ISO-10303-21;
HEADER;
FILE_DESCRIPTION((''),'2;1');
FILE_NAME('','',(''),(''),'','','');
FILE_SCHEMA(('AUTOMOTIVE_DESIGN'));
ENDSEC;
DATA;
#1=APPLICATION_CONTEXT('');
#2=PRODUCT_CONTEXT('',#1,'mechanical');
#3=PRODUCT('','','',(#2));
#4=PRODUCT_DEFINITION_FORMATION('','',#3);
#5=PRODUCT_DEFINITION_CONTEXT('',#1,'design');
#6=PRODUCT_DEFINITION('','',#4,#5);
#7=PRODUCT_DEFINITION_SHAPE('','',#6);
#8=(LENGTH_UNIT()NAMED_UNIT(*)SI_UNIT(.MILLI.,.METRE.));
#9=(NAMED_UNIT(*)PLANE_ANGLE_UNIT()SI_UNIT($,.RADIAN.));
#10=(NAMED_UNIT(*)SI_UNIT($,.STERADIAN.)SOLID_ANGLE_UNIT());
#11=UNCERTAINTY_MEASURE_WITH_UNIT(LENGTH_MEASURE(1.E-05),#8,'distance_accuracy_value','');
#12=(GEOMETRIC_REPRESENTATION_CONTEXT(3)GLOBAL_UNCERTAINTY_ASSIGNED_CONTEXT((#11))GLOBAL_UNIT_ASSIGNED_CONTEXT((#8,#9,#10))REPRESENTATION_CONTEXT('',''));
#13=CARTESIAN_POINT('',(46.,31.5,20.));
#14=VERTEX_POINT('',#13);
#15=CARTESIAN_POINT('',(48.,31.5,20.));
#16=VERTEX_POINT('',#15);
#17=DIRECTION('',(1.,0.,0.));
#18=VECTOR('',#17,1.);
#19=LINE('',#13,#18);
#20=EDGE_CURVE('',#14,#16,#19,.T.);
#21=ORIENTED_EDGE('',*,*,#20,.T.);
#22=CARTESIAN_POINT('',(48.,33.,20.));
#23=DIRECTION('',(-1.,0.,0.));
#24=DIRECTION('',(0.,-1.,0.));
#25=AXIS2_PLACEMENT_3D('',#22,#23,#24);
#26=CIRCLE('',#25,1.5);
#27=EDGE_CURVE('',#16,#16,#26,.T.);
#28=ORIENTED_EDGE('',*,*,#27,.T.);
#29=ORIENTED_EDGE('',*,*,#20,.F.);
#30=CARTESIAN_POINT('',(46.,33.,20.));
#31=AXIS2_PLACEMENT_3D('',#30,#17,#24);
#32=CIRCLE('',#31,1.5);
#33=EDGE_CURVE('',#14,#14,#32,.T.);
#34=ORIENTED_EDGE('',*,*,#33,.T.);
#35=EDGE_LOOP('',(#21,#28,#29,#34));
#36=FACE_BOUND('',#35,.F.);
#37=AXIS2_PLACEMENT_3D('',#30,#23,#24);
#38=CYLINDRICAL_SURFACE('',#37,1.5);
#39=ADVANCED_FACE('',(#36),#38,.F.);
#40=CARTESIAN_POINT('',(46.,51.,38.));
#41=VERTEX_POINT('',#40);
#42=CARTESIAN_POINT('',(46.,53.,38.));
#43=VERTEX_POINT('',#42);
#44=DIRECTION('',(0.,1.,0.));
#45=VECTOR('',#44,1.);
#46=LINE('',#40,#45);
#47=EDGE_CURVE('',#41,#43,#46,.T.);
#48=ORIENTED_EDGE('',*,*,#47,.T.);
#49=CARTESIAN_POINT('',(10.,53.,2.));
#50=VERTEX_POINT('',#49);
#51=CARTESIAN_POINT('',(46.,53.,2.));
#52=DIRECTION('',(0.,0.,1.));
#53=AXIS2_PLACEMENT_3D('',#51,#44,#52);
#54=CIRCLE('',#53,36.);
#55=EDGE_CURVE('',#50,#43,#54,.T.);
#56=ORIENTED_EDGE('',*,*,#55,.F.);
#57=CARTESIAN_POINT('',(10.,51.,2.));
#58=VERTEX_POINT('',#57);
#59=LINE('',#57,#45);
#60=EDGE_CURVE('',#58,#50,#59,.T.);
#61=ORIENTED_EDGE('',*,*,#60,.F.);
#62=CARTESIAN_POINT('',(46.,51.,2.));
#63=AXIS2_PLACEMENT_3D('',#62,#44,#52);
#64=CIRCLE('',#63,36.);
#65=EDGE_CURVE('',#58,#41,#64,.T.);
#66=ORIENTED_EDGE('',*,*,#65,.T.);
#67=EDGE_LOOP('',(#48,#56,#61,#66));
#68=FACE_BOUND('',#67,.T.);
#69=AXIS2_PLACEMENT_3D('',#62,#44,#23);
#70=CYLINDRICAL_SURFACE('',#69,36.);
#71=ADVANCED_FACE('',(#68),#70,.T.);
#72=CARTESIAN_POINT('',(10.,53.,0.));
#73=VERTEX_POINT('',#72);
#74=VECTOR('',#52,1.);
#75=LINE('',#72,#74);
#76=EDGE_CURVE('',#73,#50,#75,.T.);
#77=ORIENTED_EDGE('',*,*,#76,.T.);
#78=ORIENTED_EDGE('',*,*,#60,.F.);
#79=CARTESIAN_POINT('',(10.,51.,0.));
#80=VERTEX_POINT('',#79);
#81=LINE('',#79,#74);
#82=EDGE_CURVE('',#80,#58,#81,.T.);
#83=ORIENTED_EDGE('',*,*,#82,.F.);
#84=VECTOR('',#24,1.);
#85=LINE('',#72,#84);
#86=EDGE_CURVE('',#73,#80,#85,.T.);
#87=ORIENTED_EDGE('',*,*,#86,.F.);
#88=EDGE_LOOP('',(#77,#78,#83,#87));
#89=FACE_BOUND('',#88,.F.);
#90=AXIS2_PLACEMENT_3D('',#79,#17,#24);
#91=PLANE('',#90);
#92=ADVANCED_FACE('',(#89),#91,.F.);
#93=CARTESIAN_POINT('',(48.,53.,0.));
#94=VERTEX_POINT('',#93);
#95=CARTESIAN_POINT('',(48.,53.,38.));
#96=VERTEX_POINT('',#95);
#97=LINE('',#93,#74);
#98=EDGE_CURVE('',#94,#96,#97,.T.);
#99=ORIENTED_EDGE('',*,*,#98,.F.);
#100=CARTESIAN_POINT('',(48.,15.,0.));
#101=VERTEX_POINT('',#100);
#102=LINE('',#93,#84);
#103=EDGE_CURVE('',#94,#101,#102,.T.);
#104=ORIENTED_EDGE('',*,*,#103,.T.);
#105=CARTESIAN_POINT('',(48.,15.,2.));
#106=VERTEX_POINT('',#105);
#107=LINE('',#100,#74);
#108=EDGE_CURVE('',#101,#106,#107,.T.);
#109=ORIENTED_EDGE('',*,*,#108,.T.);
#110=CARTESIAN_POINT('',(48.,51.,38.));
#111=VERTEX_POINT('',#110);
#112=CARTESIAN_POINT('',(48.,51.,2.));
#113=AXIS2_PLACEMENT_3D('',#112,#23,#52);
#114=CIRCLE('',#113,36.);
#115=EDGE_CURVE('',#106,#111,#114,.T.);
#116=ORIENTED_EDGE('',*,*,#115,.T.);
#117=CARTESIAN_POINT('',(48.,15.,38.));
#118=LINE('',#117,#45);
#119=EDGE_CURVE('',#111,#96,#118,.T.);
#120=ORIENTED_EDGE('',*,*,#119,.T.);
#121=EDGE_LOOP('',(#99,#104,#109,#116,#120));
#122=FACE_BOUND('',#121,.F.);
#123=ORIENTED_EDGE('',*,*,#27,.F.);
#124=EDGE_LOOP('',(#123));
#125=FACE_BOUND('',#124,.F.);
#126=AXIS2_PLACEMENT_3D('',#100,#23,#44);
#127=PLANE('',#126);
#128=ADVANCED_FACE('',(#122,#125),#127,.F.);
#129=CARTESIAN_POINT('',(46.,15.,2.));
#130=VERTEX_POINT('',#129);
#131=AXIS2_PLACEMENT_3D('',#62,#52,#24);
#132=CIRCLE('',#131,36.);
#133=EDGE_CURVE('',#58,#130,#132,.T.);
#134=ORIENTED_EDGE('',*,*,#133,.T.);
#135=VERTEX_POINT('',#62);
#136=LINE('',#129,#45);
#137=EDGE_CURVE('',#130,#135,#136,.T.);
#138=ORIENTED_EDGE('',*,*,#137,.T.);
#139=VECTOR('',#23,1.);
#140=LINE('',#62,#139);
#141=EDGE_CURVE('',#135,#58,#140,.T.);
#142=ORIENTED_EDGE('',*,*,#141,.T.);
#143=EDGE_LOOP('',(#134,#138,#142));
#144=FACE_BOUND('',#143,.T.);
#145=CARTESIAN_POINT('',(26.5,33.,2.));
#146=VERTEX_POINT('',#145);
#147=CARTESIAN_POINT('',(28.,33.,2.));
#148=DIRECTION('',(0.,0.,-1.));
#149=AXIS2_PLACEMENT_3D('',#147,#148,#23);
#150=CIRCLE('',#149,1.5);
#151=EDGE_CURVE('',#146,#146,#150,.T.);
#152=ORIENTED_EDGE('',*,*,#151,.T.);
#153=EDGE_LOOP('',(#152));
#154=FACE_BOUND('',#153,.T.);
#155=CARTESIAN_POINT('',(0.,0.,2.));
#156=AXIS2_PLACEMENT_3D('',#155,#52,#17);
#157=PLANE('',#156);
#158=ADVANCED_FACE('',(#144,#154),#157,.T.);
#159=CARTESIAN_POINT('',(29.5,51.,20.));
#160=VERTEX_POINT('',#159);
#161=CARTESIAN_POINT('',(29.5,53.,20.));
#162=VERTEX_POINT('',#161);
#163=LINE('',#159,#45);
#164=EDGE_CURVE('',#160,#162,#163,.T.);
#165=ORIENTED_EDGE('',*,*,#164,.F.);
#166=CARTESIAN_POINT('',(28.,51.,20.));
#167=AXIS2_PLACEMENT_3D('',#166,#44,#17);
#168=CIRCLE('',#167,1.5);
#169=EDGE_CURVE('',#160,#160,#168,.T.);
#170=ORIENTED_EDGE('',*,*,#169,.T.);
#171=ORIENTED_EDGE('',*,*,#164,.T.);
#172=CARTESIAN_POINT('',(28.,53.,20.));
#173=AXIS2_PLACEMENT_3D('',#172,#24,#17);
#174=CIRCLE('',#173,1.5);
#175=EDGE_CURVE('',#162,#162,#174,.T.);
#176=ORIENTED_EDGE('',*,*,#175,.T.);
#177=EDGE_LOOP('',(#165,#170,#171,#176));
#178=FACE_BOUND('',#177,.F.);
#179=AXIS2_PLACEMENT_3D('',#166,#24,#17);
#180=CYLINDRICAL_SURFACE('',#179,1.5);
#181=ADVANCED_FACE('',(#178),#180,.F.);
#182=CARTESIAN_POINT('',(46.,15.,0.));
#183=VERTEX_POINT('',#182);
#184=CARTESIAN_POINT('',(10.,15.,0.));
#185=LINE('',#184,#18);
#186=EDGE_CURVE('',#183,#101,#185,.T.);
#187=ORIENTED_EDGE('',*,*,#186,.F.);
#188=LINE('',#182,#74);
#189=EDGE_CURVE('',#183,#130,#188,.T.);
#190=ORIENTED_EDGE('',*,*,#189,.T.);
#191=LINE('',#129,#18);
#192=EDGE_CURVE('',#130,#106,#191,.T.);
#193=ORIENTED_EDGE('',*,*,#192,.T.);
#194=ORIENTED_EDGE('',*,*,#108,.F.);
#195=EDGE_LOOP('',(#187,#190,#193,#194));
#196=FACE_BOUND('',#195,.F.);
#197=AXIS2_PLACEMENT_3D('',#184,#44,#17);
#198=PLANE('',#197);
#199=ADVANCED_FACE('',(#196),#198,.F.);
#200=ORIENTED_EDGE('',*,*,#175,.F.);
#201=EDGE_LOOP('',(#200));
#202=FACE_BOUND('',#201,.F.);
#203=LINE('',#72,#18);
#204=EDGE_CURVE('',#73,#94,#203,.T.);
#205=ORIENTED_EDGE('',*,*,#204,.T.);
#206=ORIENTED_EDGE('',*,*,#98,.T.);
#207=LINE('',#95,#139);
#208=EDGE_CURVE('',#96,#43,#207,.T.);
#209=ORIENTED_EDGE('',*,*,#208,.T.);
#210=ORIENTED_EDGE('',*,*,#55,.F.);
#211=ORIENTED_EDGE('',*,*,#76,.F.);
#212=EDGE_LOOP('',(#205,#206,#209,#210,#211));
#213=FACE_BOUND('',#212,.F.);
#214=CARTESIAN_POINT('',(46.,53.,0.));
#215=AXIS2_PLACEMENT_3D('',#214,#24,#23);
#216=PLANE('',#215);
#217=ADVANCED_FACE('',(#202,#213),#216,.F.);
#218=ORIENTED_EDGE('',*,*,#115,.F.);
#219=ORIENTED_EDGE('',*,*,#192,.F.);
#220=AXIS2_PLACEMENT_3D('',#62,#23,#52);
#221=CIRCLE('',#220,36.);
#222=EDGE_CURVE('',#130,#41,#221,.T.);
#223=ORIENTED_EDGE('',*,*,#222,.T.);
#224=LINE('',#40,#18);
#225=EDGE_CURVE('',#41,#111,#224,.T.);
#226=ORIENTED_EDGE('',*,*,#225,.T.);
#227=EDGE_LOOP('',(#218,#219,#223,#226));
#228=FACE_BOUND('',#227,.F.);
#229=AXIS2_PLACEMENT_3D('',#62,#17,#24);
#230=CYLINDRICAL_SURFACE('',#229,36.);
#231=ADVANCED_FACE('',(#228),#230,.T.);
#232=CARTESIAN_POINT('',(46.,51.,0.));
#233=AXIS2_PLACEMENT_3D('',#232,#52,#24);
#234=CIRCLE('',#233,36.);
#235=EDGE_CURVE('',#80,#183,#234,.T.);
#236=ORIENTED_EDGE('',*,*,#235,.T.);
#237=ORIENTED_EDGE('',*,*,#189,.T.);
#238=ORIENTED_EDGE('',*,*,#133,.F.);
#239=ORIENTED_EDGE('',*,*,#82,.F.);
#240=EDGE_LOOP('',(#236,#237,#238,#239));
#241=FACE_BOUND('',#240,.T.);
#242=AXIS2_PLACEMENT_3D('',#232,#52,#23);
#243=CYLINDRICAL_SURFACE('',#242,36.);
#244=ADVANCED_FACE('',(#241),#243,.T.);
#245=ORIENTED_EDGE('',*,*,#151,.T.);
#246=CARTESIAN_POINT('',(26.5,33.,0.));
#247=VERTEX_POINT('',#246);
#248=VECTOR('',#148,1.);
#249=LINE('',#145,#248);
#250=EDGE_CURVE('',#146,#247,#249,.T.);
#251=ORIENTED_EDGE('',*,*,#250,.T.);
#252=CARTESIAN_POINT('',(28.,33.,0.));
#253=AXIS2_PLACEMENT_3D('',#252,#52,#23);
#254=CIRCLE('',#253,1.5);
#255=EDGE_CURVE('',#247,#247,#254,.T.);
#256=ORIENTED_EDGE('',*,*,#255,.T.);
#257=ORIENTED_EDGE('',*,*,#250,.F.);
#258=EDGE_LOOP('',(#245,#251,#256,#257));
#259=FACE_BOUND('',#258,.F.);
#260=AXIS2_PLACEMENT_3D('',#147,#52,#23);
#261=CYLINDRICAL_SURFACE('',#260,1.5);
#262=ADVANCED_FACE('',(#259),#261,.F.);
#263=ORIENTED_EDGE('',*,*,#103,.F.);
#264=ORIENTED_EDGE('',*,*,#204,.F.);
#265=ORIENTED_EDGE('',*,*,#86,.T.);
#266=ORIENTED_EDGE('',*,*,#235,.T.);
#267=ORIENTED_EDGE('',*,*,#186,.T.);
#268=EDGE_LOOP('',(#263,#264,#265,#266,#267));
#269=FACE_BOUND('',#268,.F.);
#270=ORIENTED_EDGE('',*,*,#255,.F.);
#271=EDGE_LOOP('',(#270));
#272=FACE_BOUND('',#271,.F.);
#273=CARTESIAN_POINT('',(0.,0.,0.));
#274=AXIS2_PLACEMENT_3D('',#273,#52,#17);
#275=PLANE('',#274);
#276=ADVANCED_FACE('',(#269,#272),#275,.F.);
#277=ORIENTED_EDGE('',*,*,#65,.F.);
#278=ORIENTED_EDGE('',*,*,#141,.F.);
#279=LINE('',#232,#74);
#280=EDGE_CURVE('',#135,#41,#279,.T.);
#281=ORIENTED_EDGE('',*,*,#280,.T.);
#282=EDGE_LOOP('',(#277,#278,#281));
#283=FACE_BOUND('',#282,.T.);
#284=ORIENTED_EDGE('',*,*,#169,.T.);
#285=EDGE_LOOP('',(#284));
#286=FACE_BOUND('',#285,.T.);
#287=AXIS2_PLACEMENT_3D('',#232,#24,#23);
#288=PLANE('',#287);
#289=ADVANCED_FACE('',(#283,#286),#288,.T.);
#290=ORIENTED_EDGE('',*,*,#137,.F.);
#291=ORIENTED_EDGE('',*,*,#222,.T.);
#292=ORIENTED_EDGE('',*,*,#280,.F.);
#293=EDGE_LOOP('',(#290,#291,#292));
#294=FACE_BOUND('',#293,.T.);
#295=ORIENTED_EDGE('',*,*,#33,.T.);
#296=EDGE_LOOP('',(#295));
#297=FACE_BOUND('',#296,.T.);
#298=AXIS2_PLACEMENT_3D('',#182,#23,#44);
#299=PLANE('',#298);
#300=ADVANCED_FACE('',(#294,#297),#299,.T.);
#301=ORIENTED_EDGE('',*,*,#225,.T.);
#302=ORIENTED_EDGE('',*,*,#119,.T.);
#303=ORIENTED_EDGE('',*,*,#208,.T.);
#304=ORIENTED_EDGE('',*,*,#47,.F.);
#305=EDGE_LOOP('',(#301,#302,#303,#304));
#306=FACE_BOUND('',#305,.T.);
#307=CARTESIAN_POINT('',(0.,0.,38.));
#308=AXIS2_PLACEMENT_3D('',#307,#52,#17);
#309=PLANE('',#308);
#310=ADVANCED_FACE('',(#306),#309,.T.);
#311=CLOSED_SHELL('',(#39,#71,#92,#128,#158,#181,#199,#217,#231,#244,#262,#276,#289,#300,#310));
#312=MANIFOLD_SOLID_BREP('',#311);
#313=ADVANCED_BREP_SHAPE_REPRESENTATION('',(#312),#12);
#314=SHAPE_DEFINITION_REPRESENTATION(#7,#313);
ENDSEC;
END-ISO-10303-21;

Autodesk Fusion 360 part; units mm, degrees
sketch "Sketch3" plane through (0, 0, 0) normal (0, 0, 1) x (1, 0, 0)
  line L0 (10, 15) -> (46, 15)
  line L1 (46, 15) -> (46, 51)
  line L2 (46, 51) -> (10, 51)
  line L3 (10, 51) -> (10, 15)
  line L4 (8, 53) -> (8, 13)
  line L5 (8, 13) -> (48, 13)
  line L6 (48, 13) -> (48, 53)
  line L7 (48, 53) -> (8, 53)
  line L8 (10, 51) -> (10, 53)
  line L9 (10, 51) -> (8, 51)
  line L10 (46, 51) -> (46, 53)
  line L11 (46, 51) -> (48, 51)
  line L12 (46, 15) -> (48, 15)
  line L13 (46, 15) -> (46, 13)
  line L14 (10, 15) -> (10, 13)
  line L15 (10, 15) -> (8, 15)
  dimension "d6" = 36
  dimension "d7" = 36
  dimension "d8" = 2
extrude "Extrude1" add sketch "Sketch3" along normal blind 38 contours L1 L6 L11 L12 | L2 L7 L8 L10 | L6 L7 L10 L11
extrude "Extrude2" add sketch "Sketch3" along normal blind 2 contours L0 L1 L2 L3
sketch "Sketch4" plane through (0, 0, 2) normal (0, 0, 1) x (-1, 0, 0)
  line L0 (-10, -51) -> (-10, -15)
  line L1 (-10, -15) -> (-46, -15)
  line L2 (-46, -15) -> (-46, -51)
  line L3 (-46, -51) -> (-10, -51)
  line L4 (-10, -51) -> (-46, -15)
  line L5 (-10, -15) -> (-46, -51)
  circle A0 centre (-28, -33) radius 1.5
  dimension "d13" = 3
sketch "Sketch5" plane through (0, 51, 0) normal (0, -1, 0) x (1, 0, 0)
  line L0 (10, 2) -> (46, 2)
  line L1 (46, 2) -> (46, 38)
  line L2 (46, 38) -> (10, 38)
  line L3 (10, 38) -> (10, 2)
  line L4 (10, 38) -> (46, 2)
  line L5 (10, 2) -> (46, 38)
  circle A0 centre (28, 20) radius 1.5
  dimension "d14" = 3
sketch "Sketch6" plane through (46, 0, 0) normal (-1, 0, 0) x (0, -1, 0)
  line L0 (-51, 2) -> (-15, 2)
  line L1 (-15, 2) -> (-15, 38)
  line L2 (-15, 38) -> (-51, 38)
  line L3 (-51, 38) -> (-51, 2)
  line L4 (-51, 38) -> (-15, 2)
  line L5 (-51, 2) -> (-15, 38)
  circle A0 centre (-33, 20) radius 1.5
  dimension "d15" = 3
extrude "Extrude3" cut sketch "Sketch5" against normal blind 7 contours L4 L5 A0 | L4 L5 A0 | L4 L5 A0 | L4 L5 A0
extrude "Extrude4" cut sketch "Sketch6" against normal blind 10 contours L4 L5 A0 | L4 L5 A0 | L4 L5 A0 | L4 L5 A0
extrude "Extrude5" cut sketch "Sketch4" against normal blind 9 contours L4 L5 A0 | L4 L5 A0 | L4 L5 A0 | L4 L5 A0
fillet "Fillet1" radius 36 3 edges at (10, 52, 38) (10, 15, 1) (47, 15, 38)
